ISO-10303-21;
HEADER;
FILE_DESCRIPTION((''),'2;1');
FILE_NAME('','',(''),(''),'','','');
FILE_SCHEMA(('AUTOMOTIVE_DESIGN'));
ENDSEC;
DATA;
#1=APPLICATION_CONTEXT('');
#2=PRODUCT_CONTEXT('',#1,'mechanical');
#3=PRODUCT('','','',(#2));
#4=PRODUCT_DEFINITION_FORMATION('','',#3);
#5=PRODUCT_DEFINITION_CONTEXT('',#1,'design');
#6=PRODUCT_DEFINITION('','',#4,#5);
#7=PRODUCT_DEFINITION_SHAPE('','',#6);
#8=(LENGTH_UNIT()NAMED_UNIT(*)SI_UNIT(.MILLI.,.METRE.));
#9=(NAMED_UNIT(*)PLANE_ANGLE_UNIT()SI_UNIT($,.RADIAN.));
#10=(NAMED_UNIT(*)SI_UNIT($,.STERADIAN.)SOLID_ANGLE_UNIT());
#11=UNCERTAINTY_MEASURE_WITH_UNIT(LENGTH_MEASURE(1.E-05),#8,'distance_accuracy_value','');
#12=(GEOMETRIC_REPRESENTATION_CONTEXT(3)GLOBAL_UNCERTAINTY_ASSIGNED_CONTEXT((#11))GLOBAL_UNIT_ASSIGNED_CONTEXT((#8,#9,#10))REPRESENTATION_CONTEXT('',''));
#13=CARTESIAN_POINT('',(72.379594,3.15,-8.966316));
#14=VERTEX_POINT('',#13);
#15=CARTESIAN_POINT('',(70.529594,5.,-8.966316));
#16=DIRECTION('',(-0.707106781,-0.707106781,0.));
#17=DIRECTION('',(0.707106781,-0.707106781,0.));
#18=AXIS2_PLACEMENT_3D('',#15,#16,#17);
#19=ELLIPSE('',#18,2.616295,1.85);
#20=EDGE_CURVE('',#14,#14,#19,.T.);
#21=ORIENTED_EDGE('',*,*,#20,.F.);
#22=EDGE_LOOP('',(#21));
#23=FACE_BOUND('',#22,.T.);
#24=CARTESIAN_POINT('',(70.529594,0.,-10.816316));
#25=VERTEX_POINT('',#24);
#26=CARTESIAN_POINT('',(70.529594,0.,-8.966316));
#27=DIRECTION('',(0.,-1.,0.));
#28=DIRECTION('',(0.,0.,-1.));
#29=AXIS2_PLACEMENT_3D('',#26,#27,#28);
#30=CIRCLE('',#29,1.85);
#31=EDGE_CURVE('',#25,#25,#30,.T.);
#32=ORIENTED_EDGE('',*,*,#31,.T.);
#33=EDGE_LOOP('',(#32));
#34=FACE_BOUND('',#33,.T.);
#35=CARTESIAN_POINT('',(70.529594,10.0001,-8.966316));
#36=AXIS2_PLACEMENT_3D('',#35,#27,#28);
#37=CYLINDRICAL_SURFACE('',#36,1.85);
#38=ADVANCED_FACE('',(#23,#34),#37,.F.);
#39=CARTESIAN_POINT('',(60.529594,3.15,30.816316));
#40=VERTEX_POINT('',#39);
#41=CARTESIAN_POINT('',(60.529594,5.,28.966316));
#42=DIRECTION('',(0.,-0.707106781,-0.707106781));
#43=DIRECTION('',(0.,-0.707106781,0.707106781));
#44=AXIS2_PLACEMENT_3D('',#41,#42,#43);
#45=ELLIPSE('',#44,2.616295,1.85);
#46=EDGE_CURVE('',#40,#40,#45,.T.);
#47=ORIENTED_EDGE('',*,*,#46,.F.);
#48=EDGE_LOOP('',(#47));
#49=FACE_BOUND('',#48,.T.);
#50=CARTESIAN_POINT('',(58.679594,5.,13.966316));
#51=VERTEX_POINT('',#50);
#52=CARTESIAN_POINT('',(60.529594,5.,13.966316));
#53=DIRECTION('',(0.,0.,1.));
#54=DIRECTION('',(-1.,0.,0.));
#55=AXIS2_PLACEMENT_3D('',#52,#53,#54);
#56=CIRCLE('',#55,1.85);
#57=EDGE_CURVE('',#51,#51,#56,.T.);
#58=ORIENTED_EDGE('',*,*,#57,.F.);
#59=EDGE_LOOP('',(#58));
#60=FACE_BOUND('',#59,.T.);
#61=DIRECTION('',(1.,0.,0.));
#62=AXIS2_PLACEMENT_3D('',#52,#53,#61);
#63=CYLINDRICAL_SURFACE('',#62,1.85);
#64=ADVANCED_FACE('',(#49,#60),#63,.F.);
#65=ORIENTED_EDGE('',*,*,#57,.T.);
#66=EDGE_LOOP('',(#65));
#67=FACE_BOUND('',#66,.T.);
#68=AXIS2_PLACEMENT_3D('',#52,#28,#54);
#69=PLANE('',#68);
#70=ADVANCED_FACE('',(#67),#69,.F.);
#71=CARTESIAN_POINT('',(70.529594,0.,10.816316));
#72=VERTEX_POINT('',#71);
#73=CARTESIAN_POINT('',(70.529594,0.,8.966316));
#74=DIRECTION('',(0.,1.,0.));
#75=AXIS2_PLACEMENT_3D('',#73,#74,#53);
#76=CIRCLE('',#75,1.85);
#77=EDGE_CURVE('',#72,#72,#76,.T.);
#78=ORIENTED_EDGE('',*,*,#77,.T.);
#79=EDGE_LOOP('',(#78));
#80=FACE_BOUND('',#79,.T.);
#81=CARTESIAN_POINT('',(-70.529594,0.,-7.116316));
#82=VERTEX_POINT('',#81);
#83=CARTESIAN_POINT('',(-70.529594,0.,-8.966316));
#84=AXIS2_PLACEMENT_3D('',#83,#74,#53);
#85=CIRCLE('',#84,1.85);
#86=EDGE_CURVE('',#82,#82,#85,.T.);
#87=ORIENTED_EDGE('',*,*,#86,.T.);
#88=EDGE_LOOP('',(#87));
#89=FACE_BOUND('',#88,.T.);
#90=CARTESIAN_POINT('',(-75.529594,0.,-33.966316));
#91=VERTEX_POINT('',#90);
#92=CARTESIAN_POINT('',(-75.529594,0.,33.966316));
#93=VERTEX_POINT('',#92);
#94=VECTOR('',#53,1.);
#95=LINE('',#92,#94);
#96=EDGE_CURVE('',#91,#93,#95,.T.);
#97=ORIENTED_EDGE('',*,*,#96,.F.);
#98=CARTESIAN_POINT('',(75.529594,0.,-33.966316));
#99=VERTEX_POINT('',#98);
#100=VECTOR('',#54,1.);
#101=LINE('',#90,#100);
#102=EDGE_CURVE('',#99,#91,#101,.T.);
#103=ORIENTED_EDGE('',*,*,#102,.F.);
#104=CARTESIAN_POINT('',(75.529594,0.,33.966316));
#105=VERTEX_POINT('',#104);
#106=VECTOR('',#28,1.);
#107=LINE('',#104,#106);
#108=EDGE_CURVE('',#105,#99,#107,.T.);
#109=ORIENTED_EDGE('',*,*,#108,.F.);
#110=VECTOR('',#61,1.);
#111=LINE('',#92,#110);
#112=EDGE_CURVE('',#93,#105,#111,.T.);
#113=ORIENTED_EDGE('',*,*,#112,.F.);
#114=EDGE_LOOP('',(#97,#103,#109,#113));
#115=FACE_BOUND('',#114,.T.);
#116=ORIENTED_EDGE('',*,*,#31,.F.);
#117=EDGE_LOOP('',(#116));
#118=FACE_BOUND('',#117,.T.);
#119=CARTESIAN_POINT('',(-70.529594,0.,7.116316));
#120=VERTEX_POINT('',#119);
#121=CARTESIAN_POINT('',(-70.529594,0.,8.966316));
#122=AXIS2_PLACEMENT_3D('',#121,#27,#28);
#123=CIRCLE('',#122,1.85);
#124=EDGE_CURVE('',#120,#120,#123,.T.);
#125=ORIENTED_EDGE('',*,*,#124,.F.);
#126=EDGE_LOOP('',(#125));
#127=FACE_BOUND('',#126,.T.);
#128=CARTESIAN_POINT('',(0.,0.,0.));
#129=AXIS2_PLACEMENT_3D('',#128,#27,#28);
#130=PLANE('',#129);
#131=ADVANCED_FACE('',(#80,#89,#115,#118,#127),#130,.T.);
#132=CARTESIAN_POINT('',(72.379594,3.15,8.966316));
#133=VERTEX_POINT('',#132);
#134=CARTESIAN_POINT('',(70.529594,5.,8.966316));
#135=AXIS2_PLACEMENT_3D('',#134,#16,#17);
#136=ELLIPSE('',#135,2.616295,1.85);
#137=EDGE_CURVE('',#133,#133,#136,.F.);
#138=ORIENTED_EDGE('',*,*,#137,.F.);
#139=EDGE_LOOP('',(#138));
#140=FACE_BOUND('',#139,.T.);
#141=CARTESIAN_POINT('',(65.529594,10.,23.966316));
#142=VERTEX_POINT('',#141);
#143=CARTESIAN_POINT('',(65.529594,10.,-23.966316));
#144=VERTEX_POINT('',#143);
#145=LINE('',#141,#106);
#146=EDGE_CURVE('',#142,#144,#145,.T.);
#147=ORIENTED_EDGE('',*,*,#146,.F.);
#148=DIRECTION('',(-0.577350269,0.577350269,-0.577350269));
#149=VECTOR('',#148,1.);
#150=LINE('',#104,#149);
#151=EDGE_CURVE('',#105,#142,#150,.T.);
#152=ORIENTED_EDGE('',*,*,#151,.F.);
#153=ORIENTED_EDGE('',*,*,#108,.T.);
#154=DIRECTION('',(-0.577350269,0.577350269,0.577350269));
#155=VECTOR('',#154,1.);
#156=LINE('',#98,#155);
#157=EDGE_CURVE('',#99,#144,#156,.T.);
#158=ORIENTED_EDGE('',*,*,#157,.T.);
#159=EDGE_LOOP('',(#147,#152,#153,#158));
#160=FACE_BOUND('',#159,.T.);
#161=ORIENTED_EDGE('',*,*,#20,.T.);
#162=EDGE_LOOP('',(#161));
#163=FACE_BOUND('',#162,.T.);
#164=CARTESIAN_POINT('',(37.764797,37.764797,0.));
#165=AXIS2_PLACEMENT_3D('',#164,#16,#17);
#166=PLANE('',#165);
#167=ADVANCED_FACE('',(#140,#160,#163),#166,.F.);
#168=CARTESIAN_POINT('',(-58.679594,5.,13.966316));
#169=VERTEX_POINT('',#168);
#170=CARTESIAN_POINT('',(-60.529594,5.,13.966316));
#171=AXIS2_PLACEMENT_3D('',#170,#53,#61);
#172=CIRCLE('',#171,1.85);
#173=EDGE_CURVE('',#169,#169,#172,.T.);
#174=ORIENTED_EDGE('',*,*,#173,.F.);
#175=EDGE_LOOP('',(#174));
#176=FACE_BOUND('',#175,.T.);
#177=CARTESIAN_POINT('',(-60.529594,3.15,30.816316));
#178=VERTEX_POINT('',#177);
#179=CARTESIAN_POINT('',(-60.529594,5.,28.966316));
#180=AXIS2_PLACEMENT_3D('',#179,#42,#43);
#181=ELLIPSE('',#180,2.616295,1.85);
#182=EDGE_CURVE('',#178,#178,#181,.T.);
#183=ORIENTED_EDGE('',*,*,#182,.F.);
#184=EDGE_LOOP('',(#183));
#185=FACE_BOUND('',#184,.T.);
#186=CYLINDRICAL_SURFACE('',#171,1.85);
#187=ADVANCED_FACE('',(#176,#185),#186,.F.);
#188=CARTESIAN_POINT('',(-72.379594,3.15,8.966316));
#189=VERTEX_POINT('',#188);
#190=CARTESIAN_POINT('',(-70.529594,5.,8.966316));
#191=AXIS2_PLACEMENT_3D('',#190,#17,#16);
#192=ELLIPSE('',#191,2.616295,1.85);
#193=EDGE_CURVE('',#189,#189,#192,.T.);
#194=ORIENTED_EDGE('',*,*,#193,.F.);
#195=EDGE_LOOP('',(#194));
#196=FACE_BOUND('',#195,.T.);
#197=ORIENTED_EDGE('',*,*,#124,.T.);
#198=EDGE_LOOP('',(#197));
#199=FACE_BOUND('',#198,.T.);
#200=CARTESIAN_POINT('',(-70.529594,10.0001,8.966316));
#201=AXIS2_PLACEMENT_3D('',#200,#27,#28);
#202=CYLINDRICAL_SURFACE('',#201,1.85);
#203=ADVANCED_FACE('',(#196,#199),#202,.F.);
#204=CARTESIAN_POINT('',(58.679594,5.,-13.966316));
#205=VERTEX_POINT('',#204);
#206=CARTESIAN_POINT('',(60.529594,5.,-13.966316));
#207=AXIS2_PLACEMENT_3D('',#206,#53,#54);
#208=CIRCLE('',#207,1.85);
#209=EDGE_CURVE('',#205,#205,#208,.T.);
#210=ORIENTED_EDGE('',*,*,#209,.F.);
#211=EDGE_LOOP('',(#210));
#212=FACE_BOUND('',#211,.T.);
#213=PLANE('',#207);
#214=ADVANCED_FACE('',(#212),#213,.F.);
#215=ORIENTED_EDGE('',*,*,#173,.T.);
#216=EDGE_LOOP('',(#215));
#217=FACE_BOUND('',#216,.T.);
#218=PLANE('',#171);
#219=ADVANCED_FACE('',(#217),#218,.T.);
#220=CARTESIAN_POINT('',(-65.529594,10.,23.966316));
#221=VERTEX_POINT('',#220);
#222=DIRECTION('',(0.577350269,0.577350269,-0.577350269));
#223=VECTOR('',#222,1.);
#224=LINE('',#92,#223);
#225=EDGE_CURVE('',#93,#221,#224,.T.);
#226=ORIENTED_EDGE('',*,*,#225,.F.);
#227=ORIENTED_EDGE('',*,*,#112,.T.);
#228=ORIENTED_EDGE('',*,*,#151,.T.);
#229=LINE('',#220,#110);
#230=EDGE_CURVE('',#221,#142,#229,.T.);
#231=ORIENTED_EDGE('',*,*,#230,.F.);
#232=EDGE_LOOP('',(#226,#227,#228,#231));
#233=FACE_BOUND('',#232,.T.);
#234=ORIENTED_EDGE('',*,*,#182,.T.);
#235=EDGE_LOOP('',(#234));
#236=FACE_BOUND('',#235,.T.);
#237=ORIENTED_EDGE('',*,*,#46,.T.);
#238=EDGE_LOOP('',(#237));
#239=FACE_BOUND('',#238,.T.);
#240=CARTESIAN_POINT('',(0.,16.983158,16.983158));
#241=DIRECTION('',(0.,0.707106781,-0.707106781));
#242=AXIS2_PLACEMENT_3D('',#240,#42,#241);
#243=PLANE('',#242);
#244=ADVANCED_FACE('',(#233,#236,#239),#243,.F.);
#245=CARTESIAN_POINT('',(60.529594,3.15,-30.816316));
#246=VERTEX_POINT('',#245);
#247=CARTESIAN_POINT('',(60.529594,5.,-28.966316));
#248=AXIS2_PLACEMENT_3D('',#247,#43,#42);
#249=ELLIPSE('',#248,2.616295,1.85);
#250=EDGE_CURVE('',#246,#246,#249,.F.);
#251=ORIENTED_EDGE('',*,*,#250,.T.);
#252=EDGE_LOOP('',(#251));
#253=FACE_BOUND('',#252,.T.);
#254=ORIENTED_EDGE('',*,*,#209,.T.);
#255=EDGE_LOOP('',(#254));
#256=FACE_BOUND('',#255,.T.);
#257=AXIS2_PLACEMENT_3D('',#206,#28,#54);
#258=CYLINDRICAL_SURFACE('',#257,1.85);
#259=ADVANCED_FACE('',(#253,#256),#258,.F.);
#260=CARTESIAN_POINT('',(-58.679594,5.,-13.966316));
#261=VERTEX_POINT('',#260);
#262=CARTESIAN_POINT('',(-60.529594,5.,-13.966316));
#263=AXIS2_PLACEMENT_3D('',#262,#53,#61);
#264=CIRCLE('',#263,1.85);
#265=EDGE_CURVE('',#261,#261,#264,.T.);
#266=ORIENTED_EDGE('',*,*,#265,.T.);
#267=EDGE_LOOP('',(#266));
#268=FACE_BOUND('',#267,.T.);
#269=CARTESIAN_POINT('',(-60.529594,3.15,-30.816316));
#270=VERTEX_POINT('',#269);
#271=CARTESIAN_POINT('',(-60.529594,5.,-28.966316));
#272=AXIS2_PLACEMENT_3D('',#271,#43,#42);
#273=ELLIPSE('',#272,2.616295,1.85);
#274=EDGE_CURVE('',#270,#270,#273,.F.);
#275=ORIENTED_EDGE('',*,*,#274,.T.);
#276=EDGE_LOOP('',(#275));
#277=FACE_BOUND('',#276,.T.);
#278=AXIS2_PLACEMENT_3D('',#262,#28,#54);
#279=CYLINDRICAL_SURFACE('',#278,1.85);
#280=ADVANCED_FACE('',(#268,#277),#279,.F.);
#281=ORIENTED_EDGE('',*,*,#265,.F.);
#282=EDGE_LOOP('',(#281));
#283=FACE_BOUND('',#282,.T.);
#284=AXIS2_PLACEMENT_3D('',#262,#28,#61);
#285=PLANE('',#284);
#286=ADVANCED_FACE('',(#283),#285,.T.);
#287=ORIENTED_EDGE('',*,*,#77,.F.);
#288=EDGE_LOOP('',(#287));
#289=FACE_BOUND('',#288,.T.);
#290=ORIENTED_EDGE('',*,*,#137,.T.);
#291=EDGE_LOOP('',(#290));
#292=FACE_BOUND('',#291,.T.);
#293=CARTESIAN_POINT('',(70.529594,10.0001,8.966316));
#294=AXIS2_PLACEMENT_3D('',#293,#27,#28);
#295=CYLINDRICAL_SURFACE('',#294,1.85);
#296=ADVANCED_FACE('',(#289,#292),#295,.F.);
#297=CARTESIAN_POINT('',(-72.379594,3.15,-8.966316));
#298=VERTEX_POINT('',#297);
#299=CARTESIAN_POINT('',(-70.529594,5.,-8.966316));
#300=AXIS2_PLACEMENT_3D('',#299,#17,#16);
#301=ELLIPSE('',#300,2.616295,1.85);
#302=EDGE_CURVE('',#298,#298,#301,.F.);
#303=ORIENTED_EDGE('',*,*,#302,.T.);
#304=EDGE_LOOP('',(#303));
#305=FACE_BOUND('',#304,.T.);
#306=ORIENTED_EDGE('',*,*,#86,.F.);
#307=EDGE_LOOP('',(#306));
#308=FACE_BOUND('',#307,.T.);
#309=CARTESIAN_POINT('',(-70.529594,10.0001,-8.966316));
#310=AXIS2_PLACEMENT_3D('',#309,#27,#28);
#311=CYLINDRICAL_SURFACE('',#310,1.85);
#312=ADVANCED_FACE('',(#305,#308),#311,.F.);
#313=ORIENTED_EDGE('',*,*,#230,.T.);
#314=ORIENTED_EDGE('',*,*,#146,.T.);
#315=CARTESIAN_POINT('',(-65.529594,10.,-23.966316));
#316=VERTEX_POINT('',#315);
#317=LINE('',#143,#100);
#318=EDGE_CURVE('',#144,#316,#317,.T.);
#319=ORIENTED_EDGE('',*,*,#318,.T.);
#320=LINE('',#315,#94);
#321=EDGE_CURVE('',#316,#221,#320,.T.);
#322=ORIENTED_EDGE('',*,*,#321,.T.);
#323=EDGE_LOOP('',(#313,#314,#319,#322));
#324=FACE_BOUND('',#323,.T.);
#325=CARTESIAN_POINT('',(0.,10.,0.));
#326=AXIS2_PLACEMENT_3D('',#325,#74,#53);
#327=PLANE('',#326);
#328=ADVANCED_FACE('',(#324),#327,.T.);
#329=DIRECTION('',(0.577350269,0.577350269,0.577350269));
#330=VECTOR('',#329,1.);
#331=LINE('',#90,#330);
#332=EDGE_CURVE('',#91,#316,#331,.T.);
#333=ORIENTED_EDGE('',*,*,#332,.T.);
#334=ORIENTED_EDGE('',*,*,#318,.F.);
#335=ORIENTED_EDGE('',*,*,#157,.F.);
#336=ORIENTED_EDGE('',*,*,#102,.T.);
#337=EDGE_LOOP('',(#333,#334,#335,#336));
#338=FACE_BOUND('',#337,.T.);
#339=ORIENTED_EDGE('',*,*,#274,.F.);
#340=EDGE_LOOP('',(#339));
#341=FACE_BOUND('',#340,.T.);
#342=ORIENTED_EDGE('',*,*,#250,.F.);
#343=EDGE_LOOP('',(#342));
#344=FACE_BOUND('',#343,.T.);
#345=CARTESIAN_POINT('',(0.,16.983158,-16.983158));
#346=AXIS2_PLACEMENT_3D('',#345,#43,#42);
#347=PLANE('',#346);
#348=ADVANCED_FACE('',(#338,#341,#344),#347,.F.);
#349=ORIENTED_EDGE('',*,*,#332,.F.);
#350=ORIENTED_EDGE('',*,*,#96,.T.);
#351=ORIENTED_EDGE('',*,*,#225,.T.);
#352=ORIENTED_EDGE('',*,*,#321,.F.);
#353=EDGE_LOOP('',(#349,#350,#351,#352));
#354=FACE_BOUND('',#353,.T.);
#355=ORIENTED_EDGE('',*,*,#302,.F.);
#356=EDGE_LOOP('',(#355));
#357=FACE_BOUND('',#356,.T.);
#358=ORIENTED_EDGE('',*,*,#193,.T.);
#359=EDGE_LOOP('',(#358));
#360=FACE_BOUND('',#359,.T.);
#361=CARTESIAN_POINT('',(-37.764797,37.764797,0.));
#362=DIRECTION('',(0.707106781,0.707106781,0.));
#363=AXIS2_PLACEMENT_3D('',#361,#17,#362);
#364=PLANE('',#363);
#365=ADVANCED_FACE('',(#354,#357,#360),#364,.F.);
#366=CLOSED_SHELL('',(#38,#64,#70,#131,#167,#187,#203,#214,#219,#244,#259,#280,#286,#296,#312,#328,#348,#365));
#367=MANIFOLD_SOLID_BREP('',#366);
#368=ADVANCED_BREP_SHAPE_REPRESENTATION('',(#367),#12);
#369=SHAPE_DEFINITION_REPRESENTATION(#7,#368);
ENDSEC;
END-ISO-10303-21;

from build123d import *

# Parameters (mm, degrees)
SKETCH_4_R          = 1.85
CUT_EXTRUDE_1_DEPTH = 20
SKETCH_5_R          = 1.85
CUT_EXTRUDE_2_DEPTH = 84.417206125


with BuildPart() as part:
    # Эскиз1 → По сечениям1 section 0
    with BuildSketch(Plane(origin=(0, 0, 0), x_dir=(1, 0, 0), z_dir=(0, 1, 0))):
        with BuildLine():
            Line((-75.529594285, -33.966316269), (75.529594285, -33.966316269))
            Line((75.529594285, -33.966316269), (75.529594285, 33.966316269))
            Line((75.529594285, 33.966316269), (-75.529594285, 33.966316269))
            Line((-75.529594285, 33.966316269), (-75.529594285, -33.966316269))
        make_face()
    # Эскиз2 → По сечениям1 section 1
    with BuildSketch(Plane(origin=(0, 10, 0), x_dir=(1, 0, 0), z_dir=(0, 1, 0))):
        with BuildLine():
            Line((65.529594285, -23.966316269), (65.529594285, 23.966316269))
            Line((65.529594285, 23.966316269), (-65.529594285, 23.966316269))
            Line((-65.529594285, 23.966316269), (-65.529594285, -23.966316269))
            Line((-65.529594285, -23.966316269), (65.529594285, -23.966316269))
        make_face()
    loft()

    # Эскиз4 → Вырез-Вытянуть1 (cut)
    with BuildSketch(Plane.XY.offset(33.966316269)):
        with Locations((-60.529594285, 5)):
            Circle(SKETCH_4_R)
        with Locations(Location((60.529594285, 5, 0), (0, 0, 270))):
            Circle(SKETCH_4_R)
    cut_extrude_1 = extrude(amount=-CUT_EXTRUDE_1_DEPTH, mode=Mode.SUBTRACT)

    # Зеркальное отражение1: Вырез-Вытянуть1 across plane
    add(cut_extrude_1.mirror(Plane.XY), mode=Mode.SUBTRACT)

    # Эскиз5 → Вырез-Вытянуть2 (cut, through all)
    with BuildSketch(Plane.XZ):
        with Locations(Location((-70.529594285, 8.966316269, 0), (0, 0, 270))):
            Circle(SKETCH_5_R)
        with Locations(Location((-70.529594285, -8.966316269, 0), (0, 0, 180))):
            Circle(SKETCH_5_R)
        with Locations(Location((70.529594285, -8.966316269, 0), (0, 0, 270))):
            Circle(SKETCH_5_R)
        with Locations((70.529594285, 8.966316269)):
            Circle(SKETCH_5_R)
    extrude(amount=-CUT_EXTRUDE_2_DEPTH, mode=Mode.SUBTRACT)


solid = part.part
